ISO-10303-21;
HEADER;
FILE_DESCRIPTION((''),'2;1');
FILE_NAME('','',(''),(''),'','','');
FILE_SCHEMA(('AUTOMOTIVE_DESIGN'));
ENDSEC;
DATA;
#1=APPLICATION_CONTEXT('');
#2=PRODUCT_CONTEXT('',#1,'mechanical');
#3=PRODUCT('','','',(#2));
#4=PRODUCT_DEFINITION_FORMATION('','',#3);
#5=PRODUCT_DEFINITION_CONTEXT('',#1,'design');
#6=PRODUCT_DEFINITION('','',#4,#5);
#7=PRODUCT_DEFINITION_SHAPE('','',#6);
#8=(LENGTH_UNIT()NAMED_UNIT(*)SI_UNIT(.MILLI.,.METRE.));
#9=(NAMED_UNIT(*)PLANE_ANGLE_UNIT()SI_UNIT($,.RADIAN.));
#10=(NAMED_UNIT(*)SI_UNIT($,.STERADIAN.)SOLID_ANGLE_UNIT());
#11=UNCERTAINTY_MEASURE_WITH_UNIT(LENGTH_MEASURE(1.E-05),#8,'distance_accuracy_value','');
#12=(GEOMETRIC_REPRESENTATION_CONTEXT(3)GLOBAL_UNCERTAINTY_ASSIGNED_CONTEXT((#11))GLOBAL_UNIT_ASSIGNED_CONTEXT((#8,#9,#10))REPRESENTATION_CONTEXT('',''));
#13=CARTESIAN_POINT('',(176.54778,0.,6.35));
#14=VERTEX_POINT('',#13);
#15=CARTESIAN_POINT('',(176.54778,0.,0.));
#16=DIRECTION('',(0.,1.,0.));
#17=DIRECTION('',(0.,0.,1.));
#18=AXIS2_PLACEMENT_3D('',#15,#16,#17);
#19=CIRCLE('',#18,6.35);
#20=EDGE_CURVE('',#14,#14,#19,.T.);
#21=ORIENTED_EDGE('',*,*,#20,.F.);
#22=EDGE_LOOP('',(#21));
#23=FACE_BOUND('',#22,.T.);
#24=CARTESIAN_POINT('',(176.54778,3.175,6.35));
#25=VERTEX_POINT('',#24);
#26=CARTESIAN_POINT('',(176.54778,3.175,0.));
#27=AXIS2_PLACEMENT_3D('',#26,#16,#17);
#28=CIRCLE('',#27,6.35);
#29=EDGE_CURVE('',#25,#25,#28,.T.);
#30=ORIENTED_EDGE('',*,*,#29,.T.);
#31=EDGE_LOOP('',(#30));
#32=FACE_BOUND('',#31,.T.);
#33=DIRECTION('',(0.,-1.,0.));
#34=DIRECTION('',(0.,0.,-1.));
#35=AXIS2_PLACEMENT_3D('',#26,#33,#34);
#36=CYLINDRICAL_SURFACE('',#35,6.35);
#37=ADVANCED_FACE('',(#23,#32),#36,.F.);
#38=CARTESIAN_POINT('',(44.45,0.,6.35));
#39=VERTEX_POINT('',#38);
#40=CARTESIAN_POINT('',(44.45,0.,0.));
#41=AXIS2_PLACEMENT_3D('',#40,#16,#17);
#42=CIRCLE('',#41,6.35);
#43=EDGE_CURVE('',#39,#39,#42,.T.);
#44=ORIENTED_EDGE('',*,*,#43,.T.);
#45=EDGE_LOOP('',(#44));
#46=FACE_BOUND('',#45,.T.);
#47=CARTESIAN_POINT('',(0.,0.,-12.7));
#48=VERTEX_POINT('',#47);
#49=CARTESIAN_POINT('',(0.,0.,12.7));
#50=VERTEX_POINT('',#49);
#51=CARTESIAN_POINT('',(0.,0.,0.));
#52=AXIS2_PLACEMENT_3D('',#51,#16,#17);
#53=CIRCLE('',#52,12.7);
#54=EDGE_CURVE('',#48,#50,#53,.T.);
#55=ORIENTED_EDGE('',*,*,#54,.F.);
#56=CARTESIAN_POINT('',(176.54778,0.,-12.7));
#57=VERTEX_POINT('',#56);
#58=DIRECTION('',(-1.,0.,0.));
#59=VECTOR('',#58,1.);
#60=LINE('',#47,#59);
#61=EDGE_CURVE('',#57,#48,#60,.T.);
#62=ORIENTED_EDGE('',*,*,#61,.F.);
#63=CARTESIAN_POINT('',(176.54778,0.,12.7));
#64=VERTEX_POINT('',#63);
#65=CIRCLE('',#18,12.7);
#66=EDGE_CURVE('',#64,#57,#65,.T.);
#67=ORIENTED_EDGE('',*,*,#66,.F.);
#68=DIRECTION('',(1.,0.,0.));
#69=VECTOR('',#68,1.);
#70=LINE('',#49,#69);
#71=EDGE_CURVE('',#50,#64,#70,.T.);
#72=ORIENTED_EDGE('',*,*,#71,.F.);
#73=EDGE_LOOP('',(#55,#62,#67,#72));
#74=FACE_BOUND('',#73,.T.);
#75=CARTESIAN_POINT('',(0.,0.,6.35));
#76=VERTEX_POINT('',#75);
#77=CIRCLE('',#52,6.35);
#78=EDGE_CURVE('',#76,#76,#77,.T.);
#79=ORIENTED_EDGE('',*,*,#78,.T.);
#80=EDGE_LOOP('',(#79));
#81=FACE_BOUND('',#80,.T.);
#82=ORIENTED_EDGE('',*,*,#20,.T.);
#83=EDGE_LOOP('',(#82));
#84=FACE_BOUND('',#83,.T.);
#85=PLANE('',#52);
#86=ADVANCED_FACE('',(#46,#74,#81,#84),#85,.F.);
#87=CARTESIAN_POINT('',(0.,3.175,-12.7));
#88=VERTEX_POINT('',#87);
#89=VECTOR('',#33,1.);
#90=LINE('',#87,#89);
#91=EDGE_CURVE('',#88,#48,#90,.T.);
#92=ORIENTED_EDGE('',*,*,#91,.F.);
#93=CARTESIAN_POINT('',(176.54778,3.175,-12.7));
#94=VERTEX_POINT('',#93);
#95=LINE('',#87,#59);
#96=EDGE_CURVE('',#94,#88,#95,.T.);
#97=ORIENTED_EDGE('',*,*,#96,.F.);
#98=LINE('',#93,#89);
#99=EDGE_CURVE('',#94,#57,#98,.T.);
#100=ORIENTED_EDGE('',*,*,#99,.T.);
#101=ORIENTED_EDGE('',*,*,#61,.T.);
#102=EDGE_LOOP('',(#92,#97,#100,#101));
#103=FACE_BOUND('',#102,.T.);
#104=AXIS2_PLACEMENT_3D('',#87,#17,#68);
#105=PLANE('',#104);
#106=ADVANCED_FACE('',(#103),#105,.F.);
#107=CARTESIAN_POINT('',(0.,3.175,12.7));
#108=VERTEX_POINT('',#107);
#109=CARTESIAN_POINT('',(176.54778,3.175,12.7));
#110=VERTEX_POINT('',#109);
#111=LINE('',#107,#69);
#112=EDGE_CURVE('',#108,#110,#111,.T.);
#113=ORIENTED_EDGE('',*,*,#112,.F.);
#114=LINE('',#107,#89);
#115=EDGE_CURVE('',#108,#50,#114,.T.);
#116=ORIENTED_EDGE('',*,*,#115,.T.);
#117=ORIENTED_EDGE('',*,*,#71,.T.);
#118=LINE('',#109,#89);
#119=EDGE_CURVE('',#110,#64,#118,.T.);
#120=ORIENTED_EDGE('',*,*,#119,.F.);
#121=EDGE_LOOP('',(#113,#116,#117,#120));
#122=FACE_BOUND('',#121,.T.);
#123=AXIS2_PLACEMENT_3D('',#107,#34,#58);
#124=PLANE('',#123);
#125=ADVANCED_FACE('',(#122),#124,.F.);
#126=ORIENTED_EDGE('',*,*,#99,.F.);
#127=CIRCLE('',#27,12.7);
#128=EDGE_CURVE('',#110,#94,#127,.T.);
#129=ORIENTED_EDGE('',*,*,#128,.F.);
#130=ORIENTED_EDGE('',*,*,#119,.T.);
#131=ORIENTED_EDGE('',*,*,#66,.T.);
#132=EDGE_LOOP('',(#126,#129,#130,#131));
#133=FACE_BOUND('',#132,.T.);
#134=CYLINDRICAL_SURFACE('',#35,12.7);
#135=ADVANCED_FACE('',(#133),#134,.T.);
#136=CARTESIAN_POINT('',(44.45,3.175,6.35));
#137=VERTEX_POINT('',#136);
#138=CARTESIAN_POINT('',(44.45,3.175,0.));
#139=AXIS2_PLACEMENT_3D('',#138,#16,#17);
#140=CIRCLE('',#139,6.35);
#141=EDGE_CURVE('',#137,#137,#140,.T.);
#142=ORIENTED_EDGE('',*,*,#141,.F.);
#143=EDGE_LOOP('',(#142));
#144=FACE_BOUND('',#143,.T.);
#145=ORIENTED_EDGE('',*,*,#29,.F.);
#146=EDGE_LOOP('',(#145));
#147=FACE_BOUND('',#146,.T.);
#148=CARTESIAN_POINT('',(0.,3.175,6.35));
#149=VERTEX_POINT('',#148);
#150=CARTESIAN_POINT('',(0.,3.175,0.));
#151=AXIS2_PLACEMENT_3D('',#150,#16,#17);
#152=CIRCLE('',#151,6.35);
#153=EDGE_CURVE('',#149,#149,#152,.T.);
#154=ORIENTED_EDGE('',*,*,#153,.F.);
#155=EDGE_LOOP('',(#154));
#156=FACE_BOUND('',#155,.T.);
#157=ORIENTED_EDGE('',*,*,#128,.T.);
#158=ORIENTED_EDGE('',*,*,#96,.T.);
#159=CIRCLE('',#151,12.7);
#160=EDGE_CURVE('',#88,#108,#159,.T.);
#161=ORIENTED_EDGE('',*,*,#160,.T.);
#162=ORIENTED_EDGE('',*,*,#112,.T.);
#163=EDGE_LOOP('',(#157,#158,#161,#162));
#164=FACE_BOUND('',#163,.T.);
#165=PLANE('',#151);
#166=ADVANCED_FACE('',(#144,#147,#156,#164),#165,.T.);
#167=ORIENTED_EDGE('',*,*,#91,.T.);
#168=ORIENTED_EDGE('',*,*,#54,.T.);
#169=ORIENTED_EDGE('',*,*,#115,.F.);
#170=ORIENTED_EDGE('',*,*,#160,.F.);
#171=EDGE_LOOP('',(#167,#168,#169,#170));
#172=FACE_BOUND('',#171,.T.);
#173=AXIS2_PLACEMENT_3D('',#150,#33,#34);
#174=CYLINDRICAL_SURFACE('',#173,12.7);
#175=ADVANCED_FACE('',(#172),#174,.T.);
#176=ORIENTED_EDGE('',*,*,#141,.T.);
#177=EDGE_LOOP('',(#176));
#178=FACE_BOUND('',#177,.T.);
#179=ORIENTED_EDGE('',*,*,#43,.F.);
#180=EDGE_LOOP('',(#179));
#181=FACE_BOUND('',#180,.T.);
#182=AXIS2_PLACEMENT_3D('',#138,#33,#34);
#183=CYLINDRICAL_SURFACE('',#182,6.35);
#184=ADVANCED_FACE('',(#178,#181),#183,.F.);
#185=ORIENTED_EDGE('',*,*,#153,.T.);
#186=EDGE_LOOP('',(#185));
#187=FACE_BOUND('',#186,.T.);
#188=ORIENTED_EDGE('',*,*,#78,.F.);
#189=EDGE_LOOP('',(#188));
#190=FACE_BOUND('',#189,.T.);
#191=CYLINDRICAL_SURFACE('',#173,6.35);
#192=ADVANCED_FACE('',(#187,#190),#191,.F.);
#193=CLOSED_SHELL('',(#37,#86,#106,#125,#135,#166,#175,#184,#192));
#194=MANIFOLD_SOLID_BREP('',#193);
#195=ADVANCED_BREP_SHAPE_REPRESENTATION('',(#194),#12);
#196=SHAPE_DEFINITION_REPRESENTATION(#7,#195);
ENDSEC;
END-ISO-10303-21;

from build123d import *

# Parameters (mm, degrees)
SKETCH1_R           = 6.35
BOSS_EXTRUDE1_DEPTH = 3.175


with BuildPart() as part:
    # Sketch1 → Boss-Extrude1 (new body)
    with BuildSketch(Plane(origin=(0, 0, 0), x_dir=(1, 0, 0), z_dir=(0, 1, 0))):
        with BuildLine():
            Line((0, 12.7), (176.54778, 12.7))
            ThreePointArc((176.54778, 12.7), (189.24778, 0), (176.54778, -12.7))
            Line((176.54778, -12.7), (0, -12.7))
            ThreePointArc((0, -12.7), (-12.7, 0), (0, 12.7))
        make_face()
        with Locations(Location((0, 0, 0), (0, 0, 270))):
            Circle(SKETCH1_R, mode=Mode.SUBTRACT)
        with Locations(Location((44.45, 0, 0), (0, 0, 270))):
            Circle(SKETCH1_R, mode=Mode.SUBTRACT)
        with Locations(Location((176.54778, 0, 0), (0, 0, 270))):
            Circle(SKETCH1_R, mode=Mode.SUBTRACT)
    extrude(amount=BOSS_EXTRUDE1_DEPTH)


solid = part.part
